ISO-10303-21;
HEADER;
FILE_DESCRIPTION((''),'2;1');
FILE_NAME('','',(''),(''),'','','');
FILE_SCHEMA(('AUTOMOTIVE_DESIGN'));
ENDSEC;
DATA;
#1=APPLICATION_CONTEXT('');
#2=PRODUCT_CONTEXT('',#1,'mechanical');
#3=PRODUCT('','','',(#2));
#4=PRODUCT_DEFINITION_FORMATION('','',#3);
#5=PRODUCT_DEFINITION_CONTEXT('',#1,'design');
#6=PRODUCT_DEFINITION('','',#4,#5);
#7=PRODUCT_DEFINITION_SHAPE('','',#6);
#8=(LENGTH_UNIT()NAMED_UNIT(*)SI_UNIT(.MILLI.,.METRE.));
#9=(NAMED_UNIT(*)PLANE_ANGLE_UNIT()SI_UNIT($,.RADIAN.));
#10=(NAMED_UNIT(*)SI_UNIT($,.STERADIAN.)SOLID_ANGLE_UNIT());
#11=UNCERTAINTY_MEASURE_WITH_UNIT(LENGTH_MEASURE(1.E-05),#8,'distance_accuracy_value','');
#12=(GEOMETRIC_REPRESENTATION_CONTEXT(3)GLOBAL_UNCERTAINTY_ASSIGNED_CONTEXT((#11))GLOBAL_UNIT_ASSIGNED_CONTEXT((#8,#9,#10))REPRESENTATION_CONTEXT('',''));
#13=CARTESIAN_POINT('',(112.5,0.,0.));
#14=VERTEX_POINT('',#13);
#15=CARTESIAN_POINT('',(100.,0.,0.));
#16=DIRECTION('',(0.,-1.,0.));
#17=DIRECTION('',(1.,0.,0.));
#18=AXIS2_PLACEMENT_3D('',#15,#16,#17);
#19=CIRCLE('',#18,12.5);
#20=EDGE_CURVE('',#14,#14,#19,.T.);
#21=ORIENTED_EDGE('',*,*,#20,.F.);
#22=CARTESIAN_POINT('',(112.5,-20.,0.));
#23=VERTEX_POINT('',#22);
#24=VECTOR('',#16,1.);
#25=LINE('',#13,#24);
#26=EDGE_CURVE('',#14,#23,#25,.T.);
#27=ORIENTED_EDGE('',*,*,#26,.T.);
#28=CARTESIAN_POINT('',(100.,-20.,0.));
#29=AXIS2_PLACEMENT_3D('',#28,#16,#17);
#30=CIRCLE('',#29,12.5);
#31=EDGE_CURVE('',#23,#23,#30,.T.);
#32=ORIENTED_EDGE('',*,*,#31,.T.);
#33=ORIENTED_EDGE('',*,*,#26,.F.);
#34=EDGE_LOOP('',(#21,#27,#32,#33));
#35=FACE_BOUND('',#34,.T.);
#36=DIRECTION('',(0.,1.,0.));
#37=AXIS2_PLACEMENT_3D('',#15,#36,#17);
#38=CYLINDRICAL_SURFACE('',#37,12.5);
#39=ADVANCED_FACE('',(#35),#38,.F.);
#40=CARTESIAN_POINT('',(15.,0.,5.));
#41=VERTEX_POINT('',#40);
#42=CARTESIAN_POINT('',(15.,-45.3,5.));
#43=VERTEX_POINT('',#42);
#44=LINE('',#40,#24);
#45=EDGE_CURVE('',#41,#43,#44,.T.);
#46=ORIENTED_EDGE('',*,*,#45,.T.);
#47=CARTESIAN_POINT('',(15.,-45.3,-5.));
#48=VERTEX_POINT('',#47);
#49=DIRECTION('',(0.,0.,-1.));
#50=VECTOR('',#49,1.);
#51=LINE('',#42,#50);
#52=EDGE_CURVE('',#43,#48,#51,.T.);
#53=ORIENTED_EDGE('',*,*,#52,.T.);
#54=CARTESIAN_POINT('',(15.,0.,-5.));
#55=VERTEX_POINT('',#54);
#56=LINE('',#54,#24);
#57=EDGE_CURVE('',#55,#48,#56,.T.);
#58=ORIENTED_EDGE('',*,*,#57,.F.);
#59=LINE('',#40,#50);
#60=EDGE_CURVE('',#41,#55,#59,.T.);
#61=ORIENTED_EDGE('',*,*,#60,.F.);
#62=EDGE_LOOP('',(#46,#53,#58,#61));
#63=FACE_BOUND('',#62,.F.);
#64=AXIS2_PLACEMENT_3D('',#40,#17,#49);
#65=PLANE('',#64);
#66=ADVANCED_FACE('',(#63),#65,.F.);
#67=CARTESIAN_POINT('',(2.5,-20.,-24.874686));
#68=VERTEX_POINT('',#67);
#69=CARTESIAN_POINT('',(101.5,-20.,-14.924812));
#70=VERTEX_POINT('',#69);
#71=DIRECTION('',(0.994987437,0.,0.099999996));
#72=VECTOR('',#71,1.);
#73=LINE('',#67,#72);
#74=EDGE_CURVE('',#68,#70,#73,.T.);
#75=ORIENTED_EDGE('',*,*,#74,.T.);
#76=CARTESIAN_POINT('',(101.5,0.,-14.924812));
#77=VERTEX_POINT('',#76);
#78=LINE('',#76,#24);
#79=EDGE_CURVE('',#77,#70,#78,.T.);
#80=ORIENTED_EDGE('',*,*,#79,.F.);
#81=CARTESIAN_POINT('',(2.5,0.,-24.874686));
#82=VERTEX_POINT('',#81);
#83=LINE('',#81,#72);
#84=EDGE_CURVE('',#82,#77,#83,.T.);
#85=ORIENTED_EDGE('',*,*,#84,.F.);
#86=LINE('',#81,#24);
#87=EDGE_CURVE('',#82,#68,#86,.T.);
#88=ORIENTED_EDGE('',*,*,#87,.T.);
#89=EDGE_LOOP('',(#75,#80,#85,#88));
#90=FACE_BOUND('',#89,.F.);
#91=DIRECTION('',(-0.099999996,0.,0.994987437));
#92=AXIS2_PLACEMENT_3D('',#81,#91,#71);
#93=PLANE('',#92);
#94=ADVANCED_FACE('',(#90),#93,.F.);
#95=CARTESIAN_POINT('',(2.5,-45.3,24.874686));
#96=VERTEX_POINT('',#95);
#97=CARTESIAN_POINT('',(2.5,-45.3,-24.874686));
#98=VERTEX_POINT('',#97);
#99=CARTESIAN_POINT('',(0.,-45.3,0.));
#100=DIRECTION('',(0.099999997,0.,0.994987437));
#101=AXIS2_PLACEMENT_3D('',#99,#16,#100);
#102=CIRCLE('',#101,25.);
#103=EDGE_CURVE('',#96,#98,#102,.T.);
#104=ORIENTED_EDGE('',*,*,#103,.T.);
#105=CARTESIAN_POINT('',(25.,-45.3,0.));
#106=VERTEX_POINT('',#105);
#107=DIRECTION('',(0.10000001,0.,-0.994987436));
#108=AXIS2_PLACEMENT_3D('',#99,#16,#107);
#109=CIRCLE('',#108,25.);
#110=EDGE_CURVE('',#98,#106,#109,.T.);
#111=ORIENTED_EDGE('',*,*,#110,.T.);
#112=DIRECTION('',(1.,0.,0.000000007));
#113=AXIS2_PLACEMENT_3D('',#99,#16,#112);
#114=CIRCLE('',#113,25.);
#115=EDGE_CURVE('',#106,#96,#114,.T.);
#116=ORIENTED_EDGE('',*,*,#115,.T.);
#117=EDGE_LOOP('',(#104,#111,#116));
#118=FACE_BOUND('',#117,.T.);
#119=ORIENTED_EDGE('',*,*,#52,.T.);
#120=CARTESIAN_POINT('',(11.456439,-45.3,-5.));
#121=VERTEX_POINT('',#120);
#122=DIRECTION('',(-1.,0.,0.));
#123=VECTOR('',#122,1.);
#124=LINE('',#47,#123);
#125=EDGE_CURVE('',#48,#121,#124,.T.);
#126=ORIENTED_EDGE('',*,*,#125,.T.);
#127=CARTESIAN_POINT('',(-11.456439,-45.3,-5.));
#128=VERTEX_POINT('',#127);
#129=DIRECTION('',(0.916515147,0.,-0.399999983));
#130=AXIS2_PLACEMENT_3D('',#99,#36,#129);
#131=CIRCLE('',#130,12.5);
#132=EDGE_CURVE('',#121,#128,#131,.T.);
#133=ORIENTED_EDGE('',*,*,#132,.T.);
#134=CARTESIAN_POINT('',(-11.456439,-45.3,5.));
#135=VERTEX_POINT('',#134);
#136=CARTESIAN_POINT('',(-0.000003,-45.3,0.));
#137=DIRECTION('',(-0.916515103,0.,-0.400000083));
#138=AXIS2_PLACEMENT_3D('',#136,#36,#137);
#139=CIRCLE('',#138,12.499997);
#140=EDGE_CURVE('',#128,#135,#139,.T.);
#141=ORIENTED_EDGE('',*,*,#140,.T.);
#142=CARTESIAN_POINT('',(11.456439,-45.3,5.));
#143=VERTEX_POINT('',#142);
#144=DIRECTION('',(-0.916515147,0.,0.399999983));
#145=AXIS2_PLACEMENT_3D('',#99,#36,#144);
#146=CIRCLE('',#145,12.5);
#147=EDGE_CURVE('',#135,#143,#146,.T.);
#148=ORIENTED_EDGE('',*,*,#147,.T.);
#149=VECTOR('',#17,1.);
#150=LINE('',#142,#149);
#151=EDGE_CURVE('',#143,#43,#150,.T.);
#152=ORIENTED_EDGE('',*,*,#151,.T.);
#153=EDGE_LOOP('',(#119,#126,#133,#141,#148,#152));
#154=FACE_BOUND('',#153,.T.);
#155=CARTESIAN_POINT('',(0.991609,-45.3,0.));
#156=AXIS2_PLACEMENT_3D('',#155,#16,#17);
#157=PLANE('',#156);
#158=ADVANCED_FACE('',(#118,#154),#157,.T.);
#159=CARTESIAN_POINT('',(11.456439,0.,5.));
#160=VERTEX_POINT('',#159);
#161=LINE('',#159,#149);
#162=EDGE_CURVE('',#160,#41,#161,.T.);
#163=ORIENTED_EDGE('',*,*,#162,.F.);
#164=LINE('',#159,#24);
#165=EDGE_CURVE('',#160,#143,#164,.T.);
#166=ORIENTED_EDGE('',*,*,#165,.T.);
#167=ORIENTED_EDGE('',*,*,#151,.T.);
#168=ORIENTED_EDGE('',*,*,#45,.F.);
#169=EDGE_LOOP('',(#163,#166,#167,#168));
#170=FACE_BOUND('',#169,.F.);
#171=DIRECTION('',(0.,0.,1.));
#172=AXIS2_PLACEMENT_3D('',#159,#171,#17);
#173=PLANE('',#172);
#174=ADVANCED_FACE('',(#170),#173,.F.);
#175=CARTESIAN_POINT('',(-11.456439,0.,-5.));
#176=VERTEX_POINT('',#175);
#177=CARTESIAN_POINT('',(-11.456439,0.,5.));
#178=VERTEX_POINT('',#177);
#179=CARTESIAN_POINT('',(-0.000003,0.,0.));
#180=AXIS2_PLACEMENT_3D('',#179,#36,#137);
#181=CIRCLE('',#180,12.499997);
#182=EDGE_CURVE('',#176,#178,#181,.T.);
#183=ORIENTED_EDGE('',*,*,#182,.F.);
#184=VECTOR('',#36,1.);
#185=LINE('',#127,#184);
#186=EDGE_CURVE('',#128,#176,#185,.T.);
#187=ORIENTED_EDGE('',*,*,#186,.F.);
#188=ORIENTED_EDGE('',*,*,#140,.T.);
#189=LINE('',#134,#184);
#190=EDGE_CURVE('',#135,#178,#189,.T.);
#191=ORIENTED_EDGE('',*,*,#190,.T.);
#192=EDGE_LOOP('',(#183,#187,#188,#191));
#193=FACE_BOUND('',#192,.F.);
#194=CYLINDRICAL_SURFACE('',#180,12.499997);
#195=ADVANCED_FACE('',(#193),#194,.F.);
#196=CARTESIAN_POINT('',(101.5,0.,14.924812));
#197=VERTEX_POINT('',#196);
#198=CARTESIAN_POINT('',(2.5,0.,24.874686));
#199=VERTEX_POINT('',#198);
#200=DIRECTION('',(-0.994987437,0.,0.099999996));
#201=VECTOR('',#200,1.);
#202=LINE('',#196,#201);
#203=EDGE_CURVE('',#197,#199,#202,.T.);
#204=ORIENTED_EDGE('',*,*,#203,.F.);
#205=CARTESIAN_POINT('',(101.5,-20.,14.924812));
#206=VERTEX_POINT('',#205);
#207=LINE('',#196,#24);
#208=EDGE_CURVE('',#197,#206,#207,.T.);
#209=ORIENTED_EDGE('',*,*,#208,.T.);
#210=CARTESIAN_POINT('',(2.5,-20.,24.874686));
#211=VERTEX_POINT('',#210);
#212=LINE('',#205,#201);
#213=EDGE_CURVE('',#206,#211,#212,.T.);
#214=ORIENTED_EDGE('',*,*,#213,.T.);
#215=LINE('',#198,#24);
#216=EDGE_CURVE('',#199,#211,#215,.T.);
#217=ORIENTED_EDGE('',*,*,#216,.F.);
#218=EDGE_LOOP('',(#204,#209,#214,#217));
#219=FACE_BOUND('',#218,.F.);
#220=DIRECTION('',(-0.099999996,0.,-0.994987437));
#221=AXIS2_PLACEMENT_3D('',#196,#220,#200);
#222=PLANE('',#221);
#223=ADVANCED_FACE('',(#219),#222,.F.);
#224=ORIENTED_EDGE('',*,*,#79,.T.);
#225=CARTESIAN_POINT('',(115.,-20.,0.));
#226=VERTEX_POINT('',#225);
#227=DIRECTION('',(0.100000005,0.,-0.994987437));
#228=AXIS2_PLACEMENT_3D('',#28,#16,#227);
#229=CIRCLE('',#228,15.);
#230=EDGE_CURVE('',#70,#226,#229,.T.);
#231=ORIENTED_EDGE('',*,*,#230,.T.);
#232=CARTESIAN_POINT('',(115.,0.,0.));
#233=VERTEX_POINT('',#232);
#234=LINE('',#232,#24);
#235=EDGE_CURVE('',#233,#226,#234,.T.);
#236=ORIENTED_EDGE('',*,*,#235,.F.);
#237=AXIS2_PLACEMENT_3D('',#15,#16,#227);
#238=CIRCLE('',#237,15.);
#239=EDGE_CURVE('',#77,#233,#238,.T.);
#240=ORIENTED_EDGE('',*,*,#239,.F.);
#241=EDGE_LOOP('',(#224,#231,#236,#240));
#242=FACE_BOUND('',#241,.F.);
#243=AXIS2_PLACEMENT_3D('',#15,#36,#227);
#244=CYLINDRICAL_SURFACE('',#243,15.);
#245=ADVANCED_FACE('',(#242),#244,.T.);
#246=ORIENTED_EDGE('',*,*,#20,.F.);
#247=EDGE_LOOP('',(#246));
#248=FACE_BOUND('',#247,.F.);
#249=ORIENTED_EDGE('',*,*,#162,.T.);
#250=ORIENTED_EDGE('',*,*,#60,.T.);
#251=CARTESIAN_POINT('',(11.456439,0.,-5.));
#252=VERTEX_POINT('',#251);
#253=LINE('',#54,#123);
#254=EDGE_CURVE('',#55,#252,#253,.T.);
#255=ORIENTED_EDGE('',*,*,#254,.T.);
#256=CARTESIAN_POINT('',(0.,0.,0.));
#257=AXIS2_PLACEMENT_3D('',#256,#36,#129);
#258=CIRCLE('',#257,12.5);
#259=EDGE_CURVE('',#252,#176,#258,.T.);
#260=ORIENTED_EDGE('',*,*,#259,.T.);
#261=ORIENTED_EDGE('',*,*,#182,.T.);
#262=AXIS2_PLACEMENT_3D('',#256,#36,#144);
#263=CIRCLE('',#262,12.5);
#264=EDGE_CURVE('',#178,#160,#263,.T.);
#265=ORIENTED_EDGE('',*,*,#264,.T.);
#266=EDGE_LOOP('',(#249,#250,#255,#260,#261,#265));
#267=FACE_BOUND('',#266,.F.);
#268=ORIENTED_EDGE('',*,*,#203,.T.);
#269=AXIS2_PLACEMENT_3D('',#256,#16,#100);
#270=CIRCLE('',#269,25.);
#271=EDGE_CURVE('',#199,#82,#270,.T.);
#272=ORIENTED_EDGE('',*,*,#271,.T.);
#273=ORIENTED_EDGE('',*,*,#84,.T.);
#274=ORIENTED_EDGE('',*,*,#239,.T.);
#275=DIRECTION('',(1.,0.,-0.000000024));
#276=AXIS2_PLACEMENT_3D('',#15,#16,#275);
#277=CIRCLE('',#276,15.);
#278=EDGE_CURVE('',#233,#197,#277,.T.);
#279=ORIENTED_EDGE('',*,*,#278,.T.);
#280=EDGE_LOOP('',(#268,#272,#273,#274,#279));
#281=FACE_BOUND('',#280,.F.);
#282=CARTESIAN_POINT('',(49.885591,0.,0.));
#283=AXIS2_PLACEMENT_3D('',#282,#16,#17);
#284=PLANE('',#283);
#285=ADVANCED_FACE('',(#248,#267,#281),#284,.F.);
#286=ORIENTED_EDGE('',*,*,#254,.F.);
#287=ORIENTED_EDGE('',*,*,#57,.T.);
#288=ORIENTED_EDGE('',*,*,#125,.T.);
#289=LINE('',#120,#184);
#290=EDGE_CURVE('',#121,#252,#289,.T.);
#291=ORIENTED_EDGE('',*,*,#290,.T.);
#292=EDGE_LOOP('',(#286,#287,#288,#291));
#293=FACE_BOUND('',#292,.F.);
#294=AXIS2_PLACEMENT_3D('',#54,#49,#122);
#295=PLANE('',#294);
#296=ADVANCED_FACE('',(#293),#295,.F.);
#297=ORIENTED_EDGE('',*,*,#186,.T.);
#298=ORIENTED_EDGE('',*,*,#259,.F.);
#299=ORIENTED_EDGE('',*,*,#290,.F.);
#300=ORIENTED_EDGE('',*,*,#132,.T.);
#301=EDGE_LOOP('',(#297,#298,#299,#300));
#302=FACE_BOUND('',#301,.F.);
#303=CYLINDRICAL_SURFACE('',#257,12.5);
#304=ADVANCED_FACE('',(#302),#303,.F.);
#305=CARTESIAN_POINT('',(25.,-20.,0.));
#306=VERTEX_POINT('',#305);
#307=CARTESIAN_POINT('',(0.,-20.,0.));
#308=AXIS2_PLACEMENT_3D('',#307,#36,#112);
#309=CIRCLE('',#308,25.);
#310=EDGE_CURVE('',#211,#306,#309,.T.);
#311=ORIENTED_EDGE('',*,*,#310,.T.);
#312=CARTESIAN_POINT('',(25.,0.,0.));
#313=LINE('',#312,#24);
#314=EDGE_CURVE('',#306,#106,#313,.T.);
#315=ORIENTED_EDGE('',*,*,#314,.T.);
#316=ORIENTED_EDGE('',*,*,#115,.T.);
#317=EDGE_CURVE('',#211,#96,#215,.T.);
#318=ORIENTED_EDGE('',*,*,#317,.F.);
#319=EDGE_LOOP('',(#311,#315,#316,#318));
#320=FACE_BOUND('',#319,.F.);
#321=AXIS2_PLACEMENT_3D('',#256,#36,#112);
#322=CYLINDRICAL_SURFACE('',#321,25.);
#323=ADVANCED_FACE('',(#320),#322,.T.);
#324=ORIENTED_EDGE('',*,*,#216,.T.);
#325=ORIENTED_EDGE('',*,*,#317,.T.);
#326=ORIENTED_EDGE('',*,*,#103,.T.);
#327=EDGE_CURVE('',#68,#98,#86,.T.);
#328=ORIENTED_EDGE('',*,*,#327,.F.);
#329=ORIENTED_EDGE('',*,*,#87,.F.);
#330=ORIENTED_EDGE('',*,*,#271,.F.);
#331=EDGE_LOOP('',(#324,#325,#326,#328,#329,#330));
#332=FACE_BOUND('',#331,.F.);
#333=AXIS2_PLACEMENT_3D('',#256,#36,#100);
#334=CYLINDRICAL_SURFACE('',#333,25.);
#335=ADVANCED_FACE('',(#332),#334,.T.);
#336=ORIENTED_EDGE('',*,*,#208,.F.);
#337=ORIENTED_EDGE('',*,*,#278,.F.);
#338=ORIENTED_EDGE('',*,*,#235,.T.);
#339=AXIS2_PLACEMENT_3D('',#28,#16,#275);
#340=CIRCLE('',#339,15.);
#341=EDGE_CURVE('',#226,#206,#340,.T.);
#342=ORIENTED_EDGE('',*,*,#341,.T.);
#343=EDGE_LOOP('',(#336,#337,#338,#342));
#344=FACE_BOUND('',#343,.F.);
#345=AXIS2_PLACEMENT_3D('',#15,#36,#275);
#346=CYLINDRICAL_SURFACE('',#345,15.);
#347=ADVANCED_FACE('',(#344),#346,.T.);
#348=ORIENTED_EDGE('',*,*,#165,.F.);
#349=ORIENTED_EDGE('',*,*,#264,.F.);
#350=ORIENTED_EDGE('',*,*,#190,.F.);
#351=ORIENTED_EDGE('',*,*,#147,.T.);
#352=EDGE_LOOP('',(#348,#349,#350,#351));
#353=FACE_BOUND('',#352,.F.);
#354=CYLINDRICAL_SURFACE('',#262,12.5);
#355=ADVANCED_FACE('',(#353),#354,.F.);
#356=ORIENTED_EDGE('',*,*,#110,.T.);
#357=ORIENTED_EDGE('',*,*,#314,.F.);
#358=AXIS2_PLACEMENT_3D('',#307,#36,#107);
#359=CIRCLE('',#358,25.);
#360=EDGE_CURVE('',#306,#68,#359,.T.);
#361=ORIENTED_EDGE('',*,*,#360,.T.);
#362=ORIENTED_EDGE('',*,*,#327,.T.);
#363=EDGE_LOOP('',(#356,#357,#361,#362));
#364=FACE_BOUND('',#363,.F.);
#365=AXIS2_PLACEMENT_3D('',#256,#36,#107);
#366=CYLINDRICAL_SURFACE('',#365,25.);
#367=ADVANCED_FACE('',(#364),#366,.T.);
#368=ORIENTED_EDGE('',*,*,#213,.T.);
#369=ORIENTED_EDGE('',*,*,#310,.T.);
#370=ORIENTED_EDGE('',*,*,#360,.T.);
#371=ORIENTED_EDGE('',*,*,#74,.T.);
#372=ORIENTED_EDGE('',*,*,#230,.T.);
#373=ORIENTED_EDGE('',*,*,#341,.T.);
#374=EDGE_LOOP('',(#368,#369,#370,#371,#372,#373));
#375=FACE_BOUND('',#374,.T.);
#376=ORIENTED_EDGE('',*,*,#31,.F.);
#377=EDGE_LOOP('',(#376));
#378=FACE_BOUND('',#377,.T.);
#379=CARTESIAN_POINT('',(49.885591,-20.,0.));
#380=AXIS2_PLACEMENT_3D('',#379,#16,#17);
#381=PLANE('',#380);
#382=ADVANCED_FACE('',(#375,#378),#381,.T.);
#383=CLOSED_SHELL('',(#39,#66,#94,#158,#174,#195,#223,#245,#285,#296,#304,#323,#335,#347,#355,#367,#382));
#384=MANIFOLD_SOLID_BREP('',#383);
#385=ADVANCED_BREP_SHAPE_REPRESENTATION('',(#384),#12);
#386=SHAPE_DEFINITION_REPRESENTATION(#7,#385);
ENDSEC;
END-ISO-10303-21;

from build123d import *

# Parameters (mm, degrees)
F0_R     = 12.5
F1_DEPTH = 20
F2_DEPTH = 45.3


with BuildPart() as f1:
    # F0 (on Front) → F1 (new body)
    with BuildSketch(Plane.XZ):
        with BuildLine():
            ThreePointArc((2.5, 24.874686), (18.540496, 16.77051), (25, 0))
            ThreePointArc((25, 0), (18.540496, -16.77051), (2.5, -24.874686))
            Line((2.5, -24.874686), (101.5, -14.924812))
            ThreePointArc((101.5, -14.924812), (85, 0), (101.5, 14.924812))
            Line((101.5, 14.924812), (2.5, 24.874686))
        make_face()
        with BuildLine():
            ThreePointArc((2.5, -24.874686), (18.540496, -16.77051), (25, 0))
            ThreePointArc((25, 0), (18.540496, 16.77051), (2.5, 24.874686))
            ThreePointArc((2.5, 24.874686), (-25, 0), (2.5, -24.874686))
        make_face()
        with BuildLine():
            ThreePointArc((-11.456439, 5), (0, 12.5), (11.456439, 5))
            Line((11.456439, 5), (15, 5))
            Line((15, 5), (15, -5))
            Line((15, -5), (11.456439, -5))
            ThreePointArc((11.456439, -5), (0, -12.5), (-11.456439, -5))
            Line((-11.456439, -5), (-15, -5))
            Line((-15, -5), (-15, 5))
            Line((-15, 5), (-11.456439, 5))
        make_face(mode=Mode.SUBTRACT)
        with BuildLine():
            ThreePointArc((115, 0), (111.124298, 10.062306), (101.5, 14.924812))
            ThreePointArc((101.5, 14.924812), (85, 0), (101.5, -14.924812))
            ThreePointArc((101.5, -14.924812), (111.124298, -10.062306), (115, 0))
        make_face()
        with Locations((100, 0)):
            Circle(F0_R, mode=Mode.SUBTRACT)
        with BuildLine():
            ThreePointArc((-11.456439, -5), (-12.5, 0), (-11.456439, 5))
            Line((-11.456439, 5), (-15, 5))
            Line((-15, 5), (-15, -5))
            Line((-15, -5), (-11.456439, -5))
        make_face()
    extrude(amount=F1_DEPTH)

    # F0 (on Front) → F2 (join)
    with BuildSketch(Plane.XZ):
        with BuildLine():
            ThreePointArc((2.5, -24.874686), (18.540496, -16.77051), (25, 0))
            ThreePointArc((25, 0), (18.540496, 16.77051), (2.5, 24.874686))
            ThreePointArc((2.5, 24.874686), (-25, 0), (2.5, -24.874686))
        make_face()
        with BuildLine():
            ThreePointArc((-11.456439, 5), (0, 12.5), (11.456439, 5))
            Line((11.456439, 5), (15, 5))
            Line((15, 5), (15, -5))
            Line((15, -5), (11.456439, -5))
            ThreePointArc((11.456439, -5), (0, -12.5), (-11.456439, -5))
            Line((-11.456439, -5), (-15, -5))
            Line((-15, -5), (-15, 5))
            Line((-15, 5), (-11.456439, 5))
        make_face(mode=Mode.SUBTRACT)
        with BuildLine():
            ThreePointArc((-11.456439, -5), (-12.5, 0), (-11.456439, 5))
            Line((-11.456439, 5), (-15, 5))
            Line((-15, 5), (-15, -5))
            Line((-15, -5), (-11.456439, -5))
        make_face()
    extrude(amount=F2_DEPTH)


solid = f1.part
